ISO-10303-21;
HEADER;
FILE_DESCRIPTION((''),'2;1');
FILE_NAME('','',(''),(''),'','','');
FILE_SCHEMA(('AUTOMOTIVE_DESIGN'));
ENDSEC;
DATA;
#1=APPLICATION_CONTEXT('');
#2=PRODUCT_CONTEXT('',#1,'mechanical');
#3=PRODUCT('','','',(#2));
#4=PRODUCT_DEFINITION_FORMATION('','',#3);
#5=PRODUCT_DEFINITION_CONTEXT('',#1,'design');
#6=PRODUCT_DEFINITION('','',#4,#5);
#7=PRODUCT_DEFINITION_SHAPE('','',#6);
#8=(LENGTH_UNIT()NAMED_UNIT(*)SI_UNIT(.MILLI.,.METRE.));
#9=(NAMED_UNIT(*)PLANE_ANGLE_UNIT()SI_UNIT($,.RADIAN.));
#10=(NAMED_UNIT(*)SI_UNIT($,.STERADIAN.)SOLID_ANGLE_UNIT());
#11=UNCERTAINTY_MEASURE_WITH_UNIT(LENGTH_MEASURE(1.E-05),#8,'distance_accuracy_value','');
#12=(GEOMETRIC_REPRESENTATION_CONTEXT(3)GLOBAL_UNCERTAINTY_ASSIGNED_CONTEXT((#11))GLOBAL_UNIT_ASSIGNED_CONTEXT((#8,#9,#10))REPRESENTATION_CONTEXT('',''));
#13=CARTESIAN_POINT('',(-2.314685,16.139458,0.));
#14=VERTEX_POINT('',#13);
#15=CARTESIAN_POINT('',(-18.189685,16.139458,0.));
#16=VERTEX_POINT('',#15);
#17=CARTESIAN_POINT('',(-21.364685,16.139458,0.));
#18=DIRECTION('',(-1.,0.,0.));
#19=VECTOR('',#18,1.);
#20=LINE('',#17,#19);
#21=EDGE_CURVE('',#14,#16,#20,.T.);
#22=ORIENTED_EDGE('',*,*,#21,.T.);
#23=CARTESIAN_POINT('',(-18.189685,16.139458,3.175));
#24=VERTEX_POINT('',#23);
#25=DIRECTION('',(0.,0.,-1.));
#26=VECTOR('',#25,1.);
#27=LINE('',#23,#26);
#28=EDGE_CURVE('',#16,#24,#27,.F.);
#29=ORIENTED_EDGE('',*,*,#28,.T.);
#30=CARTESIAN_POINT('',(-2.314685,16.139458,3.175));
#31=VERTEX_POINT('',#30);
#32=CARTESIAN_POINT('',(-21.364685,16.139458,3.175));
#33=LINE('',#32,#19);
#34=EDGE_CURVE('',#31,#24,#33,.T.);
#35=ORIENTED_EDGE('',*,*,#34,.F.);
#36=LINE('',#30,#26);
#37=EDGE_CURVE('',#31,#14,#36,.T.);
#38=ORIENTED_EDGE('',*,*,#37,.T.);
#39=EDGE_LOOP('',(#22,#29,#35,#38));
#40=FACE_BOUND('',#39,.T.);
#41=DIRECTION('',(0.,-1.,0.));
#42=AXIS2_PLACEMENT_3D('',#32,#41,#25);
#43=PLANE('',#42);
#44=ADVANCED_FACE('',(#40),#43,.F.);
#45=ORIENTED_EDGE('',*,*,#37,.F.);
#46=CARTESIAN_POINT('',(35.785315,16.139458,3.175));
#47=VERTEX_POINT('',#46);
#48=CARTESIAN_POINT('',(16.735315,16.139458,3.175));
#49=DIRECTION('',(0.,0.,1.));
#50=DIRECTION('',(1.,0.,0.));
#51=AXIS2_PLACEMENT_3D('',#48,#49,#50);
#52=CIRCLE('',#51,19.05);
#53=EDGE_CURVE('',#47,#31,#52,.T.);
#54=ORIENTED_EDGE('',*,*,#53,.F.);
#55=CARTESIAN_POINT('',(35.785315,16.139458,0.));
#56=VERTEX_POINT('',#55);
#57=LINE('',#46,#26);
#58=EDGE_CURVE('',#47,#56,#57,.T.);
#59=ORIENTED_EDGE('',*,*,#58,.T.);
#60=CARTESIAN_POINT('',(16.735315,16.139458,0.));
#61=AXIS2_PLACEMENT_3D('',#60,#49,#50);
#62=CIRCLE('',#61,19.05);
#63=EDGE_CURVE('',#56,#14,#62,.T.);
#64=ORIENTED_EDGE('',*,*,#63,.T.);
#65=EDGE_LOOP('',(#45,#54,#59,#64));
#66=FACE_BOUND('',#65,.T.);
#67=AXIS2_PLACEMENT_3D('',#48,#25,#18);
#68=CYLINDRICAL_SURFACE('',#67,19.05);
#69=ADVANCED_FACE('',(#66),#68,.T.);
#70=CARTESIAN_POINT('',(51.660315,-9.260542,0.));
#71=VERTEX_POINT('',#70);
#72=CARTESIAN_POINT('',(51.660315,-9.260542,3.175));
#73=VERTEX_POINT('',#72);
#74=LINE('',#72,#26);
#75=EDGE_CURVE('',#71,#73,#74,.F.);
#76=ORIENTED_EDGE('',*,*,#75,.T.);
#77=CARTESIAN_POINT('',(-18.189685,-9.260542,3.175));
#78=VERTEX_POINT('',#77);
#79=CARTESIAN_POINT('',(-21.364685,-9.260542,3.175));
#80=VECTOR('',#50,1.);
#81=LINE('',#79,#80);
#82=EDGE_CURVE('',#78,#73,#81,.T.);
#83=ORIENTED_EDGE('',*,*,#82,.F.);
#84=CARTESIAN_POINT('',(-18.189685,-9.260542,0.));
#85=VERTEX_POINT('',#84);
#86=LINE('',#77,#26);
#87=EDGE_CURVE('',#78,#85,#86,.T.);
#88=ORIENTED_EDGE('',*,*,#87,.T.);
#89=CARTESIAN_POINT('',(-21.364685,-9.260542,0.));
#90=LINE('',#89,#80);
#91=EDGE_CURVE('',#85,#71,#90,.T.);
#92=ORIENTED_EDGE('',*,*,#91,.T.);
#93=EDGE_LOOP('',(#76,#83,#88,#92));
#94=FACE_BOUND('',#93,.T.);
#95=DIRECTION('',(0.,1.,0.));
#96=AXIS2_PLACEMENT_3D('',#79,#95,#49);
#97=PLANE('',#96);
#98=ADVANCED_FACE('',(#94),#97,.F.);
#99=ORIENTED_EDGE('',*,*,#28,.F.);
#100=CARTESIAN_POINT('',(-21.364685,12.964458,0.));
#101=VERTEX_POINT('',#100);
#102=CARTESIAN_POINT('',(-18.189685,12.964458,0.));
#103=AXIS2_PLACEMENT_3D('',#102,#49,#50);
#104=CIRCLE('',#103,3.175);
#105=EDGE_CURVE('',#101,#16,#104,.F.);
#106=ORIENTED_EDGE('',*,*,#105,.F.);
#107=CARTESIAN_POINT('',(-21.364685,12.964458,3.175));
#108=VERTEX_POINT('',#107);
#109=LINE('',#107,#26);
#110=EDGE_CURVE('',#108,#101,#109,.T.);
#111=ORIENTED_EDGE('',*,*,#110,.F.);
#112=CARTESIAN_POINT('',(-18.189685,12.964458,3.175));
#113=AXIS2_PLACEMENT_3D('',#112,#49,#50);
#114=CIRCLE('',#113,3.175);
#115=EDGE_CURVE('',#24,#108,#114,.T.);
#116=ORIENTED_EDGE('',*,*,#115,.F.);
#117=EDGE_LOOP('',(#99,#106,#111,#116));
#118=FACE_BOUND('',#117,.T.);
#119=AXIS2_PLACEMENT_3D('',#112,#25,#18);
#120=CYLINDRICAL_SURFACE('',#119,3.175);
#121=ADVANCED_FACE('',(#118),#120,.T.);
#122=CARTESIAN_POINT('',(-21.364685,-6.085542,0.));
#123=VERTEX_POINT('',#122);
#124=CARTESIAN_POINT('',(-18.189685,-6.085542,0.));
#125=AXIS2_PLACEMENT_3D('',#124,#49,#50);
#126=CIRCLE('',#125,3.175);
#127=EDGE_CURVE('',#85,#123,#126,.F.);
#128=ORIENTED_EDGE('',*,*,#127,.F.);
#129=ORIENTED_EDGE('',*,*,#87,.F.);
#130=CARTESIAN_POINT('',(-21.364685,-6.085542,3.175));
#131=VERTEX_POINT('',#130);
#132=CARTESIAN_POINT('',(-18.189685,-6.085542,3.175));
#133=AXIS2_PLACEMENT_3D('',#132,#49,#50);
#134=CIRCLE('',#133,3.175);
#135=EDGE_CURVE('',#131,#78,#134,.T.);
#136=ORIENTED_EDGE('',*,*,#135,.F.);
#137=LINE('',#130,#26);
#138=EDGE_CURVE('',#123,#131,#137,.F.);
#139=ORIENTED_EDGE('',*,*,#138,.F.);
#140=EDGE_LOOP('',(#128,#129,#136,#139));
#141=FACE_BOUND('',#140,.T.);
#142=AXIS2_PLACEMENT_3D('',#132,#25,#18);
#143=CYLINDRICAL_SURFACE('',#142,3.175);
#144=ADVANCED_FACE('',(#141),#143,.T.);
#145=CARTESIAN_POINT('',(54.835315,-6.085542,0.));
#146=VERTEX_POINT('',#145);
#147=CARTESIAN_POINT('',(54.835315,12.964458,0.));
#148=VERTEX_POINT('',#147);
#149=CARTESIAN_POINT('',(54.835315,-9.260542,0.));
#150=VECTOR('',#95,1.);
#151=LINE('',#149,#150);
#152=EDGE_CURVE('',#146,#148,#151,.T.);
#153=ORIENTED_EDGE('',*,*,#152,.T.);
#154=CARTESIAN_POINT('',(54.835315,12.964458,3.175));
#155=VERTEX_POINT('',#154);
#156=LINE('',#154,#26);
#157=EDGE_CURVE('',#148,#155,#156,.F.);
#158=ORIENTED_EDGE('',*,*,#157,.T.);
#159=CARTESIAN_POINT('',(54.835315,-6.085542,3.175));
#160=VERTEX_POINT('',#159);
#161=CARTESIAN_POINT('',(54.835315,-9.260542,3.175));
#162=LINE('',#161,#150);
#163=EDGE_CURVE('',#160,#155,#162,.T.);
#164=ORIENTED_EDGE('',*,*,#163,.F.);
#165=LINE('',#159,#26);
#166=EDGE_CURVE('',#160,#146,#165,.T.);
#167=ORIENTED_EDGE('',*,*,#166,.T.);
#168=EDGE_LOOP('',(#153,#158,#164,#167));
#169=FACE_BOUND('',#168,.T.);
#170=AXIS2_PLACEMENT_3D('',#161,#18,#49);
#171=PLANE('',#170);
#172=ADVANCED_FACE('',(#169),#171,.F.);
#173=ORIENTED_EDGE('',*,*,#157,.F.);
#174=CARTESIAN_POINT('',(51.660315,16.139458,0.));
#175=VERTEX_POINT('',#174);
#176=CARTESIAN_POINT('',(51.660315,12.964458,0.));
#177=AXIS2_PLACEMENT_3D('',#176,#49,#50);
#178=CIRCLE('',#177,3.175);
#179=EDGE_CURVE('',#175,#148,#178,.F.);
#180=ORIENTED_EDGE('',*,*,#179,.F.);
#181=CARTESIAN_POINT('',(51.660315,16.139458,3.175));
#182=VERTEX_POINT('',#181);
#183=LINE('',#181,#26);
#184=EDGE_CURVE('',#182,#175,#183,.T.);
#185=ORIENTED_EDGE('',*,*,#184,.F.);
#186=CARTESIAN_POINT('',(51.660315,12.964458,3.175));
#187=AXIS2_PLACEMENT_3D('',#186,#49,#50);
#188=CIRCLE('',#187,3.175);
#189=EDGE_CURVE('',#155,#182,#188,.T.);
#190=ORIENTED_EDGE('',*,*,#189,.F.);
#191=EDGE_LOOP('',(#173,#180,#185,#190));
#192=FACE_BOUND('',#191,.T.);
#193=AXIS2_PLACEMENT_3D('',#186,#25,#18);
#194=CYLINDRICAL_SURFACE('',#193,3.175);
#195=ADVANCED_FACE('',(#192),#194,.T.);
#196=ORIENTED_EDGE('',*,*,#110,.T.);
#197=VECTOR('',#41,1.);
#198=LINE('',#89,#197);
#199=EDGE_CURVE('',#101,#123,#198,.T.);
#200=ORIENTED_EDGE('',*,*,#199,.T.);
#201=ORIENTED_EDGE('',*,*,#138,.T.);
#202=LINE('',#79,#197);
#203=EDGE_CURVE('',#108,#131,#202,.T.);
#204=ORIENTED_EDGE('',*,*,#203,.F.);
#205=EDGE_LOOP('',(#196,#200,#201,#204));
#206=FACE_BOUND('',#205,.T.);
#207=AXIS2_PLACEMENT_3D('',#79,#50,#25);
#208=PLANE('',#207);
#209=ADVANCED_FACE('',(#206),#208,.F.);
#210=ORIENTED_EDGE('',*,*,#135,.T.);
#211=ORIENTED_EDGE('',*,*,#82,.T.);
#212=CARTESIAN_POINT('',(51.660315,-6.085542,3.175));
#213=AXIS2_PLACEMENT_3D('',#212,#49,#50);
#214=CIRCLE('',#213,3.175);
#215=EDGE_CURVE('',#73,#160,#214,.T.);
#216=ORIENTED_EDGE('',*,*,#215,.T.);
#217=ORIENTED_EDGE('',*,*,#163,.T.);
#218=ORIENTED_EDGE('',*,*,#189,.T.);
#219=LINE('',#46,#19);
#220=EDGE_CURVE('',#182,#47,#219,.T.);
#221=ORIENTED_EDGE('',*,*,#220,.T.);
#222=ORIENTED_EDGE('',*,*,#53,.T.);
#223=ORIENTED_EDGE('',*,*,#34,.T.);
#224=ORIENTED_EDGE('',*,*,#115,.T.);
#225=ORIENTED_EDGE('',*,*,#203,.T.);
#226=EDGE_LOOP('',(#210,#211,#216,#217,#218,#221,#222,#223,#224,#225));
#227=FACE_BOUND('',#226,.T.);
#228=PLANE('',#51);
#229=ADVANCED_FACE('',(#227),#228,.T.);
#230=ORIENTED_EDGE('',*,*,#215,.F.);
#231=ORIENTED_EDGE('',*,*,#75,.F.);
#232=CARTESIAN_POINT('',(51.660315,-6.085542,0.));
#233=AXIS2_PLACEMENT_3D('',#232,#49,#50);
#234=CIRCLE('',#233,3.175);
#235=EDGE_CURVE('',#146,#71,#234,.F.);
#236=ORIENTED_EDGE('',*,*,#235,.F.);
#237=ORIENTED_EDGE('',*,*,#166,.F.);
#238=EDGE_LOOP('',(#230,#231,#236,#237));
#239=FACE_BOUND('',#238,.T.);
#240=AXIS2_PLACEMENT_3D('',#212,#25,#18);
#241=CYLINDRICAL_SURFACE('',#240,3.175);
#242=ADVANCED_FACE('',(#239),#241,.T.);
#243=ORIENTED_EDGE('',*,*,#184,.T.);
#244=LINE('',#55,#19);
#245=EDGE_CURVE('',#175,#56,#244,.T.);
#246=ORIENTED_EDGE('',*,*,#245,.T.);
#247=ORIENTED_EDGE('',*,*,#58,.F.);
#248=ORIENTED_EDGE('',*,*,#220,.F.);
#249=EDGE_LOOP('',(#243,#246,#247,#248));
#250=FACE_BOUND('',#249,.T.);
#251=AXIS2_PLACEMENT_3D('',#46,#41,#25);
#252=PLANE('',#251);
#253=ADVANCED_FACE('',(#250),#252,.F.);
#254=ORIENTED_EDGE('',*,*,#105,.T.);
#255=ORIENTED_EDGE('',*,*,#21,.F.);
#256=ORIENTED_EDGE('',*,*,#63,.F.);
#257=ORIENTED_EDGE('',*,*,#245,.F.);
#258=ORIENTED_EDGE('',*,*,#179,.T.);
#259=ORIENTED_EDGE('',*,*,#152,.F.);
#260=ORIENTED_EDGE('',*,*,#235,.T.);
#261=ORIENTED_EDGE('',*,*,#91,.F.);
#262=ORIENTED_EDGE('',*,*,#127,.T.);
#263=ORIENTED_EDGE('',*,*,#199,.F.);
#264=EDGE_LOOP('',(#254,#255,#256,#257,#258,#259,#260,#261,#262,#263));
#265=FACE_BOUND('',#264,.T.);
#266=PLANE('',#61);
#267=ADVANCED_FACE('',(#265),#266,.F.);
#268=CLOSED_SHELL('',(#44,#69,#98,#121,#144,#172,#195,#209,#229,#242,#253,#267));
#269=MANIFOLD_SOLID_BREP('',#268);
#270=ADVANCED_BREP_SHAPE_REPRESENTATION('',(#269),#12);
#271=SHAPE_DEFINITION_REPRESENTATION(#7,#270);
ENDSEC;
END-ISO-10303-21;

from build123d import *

# Parameters (mm, degrees)
BOSS_EXTRUDE3_DEPTH = 3.175
FILLET1_R           = 3.175


with BuildPart() as part:
    # Sketch1 → Boss-Extrude3 (new body)
    with BuildSketch(Plane.XY):
        with BuildLine():
            Line((35.78531497, 16.139458277), (54.83531497, 16.139458277))
            Line((54.83531497, 16.139458277), (54.83531497, -9.260541723))
            Line((54.83531497, -9.260541723), (-21.36468503, -9.260541723))
            Line((-21.36468503, -9.260541723), (-21.36468503, 16.139458277))
            Line((-21.36468503, 16.139458277), (-2.31468503, 16.139458277))
            ThreePointArc((-2.31468503, 16.139458277), (16.73531497, 35.189458277), (35.78531497, 16.139458277))
        make_face()
    extrude(amount=BOSS_EXTRUDE3_DEPTH)

    # Fillet1
    fillet1_edges = [part.edges().sort_by_distance(p)[0] for p in [
        (54.83531497, 16.139458277, 1.5875),
        (54.83531497, -9.260541723, 1.5875),
        (-21.36468503, -9.260541723, 1.5875),
        (-21.36468503, 16.139458277, 1.5875),
    ]]
    fillet(fillet1_edges, radius=FILLET1_R)


solid = part.part
